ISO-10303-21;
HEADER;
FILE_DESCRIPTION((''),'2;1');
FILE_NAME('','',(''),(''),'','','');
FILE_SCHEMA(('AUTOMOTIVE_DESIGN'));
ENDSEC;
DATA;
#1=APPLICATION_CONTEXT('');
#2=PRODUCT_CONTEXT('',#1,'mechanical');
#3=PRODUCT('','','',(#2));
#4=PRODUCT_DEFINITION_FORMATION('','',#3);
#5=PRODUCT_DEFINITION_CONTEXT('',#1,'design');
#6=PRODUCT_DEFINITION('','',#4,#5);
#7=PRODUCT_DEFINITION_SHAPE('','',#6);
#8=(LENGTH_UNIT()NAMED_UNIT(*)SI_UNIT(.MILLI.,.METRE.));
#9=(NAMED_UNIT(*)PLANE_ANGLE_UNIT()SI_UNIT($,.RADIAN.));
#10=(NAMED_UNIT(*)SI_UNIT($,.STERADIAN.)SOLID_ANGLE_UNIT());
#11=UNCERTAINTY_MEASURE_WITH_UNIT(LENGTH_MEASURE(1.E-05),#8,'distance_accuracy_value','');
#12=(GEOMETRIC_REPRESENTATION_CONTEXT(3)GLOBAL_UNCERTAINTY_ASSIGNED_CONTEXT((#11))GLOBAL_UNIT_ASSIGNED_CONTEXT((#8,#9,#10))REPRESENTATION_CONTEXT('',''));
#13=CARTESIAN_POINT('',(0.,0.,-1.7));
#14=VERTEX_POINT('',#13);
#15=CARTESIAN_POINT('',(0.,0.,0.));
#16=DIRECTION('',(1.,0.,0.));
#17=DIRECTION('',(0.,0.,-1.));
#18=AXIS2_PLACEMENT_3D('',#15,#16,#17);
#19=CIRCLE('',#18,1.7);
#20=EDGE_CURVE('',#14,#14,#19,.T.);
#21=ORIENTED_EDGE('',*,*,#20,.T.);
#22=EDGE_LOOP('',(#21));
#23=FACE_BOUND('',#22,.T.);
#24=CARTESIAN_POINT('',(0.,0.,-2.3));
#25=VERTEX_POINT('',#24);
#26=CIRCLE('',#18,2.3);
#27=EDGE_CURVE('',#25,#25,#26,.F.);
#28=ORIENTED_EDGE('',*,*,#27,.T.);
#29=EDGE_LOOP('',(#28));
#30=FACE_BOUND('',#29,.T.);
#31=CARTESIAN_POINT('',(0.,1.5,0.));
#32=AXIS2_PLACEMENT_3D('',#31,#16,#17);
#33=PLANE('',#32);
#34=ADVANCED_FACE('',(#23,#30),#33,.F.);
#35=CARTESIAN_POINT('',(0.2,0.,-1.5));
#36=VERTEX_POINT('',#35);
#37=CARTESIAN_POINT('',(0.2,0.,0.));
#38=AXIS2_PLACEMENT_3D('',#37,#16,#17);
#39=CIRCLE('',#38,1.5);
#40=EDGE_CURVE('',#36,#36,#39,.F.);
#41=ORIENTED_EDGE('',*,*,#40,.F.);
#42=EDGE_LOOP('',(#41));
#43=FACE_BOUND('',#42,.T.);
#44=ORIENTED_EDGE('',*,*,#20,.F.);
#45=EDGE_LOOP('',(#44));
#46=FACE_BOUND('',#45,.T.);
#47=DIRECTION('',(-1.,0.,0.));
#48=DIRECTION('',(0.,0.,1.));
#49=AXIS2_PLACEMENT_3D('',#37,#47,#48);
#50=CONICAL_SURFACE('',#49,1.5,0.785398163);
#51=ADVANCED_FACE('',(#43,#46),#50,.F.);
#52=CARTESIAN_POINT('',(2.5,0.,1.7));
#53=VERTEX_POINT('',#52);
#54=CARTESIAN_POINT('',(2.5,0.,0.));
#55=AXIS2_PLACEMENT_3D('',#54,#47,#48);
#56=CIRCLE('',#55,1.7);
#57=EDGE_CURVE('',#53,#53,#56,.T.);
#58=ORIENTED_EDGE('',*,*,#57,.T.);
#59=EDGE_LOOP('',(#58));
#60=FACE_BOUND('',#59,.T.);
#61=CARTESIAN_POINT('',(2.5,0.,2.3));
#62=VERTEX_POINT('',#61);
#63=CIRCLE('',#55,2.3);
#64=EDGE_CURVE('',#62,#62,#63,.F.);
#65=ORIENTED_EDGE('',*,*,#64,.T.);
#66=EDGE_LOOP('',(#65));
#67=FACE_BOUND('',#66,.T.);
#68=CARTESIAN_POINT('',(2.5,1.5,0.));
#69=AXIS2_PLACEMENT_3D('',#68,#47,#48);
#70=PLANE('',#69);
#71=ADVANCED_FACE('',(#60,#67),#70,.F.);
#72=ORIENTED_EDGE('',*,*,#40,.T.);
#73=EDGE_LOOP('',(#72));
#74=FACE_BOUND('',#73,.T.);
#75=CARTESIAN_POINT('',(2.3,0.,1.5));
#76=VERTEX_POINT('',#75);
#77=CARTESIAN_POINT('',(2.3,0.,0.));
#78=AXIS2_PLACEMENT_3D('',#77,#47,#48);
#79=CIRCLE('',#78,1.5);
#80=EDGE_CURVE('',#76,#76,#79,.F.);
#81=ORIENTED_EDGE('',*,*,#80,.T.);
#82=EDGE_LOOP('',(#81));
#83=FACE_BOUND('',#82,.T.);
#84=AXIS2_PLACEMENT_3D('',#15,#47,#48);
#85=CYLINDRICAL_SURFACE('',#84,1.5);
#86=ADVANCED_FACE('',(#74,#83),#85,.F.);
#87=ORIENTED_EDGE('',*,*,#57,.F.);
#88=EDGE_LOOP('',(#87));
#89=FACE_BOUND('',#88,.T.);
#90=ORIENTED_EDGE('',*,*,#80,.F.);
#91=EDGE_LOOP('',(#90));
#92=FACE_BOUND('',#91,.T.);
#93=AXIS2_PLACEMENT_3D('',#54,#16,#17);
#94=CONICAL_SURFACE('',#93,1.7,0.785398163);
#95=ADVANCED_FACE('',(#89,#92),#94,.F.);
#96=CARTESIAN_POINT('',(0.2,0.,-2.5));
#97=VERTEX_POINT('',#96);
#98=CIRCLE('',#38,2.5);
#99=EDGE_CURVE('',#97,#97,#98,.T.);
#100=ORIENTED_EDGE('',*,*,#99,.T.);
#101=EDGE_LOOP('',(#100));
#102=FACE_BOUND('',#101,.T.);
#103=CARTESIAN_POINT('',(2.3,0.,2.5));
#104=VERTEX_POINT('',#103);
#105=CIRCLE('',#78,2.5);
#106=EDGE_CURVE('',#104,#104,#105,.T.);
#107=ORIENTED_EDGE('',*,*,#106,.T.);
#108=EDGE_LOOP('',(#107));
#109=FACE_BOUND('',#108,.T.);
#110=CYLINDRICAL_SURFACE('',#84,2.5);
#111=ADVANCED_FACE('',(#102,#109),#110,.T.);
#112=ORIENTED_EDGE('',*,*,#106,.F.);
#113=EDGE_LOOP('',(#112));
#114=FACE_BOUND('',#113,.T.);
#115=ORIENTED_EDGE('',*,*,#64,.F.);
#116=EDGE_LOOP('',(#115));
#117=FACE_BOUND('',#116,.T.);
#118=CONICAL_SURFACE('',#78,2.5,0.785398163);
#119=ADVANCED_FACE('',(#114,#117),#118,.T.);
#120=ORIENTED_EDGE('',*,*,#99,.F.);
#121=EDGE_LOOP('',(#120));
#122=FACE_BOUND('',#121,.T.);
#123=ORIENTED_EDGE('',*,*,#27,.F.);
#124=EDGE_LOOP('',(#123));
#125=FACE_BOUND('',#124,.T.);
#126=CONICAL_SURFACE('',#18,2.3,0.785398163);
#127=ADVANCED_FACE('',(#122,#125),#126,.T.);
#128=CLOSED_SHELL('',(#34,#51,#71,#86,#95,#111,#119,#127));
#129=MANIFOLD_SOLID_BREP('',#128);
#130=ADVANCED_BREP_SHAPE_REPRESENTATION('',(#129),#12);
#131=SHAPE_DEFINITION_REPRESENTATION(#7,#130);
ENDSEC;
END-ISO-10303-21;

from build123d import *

# Parameters (mm, degrees)
SKETCH1_W     = 2.5
SKETCH1_H     = 1
CHAMFER1_SIZE = 0.2


with BuildPart() as part:
    # Sketch1 → Revolve1 (revolve)
    with BuildSketch(Plane.XY, mode=Mode.PRIVATE) as revolve1_sk:
        with Locations((1.25, 2)):
            Rectangle(SKETCH1_W, SKETCH1_H)
    revolve(revolve1_sk.sketch.rotate(Axis((0, 0, 0), (1, 0, 0)), 90), axis=Axis((0, 0, 0), (1, 0, 0)))

    # Chamfer1
    chamfer1_edges = [part.edges().sort_by_distance(p)[0] for p in [
        (0, 0, -1.5),
        (2.5, 0, -1.5),
        (2.5, 0, -2.5),
        (0, 0, -2.5),
    ]]
    chamfer(chamfer1_edges, length=CHAMFER1_SIZE)


solid = part.part
